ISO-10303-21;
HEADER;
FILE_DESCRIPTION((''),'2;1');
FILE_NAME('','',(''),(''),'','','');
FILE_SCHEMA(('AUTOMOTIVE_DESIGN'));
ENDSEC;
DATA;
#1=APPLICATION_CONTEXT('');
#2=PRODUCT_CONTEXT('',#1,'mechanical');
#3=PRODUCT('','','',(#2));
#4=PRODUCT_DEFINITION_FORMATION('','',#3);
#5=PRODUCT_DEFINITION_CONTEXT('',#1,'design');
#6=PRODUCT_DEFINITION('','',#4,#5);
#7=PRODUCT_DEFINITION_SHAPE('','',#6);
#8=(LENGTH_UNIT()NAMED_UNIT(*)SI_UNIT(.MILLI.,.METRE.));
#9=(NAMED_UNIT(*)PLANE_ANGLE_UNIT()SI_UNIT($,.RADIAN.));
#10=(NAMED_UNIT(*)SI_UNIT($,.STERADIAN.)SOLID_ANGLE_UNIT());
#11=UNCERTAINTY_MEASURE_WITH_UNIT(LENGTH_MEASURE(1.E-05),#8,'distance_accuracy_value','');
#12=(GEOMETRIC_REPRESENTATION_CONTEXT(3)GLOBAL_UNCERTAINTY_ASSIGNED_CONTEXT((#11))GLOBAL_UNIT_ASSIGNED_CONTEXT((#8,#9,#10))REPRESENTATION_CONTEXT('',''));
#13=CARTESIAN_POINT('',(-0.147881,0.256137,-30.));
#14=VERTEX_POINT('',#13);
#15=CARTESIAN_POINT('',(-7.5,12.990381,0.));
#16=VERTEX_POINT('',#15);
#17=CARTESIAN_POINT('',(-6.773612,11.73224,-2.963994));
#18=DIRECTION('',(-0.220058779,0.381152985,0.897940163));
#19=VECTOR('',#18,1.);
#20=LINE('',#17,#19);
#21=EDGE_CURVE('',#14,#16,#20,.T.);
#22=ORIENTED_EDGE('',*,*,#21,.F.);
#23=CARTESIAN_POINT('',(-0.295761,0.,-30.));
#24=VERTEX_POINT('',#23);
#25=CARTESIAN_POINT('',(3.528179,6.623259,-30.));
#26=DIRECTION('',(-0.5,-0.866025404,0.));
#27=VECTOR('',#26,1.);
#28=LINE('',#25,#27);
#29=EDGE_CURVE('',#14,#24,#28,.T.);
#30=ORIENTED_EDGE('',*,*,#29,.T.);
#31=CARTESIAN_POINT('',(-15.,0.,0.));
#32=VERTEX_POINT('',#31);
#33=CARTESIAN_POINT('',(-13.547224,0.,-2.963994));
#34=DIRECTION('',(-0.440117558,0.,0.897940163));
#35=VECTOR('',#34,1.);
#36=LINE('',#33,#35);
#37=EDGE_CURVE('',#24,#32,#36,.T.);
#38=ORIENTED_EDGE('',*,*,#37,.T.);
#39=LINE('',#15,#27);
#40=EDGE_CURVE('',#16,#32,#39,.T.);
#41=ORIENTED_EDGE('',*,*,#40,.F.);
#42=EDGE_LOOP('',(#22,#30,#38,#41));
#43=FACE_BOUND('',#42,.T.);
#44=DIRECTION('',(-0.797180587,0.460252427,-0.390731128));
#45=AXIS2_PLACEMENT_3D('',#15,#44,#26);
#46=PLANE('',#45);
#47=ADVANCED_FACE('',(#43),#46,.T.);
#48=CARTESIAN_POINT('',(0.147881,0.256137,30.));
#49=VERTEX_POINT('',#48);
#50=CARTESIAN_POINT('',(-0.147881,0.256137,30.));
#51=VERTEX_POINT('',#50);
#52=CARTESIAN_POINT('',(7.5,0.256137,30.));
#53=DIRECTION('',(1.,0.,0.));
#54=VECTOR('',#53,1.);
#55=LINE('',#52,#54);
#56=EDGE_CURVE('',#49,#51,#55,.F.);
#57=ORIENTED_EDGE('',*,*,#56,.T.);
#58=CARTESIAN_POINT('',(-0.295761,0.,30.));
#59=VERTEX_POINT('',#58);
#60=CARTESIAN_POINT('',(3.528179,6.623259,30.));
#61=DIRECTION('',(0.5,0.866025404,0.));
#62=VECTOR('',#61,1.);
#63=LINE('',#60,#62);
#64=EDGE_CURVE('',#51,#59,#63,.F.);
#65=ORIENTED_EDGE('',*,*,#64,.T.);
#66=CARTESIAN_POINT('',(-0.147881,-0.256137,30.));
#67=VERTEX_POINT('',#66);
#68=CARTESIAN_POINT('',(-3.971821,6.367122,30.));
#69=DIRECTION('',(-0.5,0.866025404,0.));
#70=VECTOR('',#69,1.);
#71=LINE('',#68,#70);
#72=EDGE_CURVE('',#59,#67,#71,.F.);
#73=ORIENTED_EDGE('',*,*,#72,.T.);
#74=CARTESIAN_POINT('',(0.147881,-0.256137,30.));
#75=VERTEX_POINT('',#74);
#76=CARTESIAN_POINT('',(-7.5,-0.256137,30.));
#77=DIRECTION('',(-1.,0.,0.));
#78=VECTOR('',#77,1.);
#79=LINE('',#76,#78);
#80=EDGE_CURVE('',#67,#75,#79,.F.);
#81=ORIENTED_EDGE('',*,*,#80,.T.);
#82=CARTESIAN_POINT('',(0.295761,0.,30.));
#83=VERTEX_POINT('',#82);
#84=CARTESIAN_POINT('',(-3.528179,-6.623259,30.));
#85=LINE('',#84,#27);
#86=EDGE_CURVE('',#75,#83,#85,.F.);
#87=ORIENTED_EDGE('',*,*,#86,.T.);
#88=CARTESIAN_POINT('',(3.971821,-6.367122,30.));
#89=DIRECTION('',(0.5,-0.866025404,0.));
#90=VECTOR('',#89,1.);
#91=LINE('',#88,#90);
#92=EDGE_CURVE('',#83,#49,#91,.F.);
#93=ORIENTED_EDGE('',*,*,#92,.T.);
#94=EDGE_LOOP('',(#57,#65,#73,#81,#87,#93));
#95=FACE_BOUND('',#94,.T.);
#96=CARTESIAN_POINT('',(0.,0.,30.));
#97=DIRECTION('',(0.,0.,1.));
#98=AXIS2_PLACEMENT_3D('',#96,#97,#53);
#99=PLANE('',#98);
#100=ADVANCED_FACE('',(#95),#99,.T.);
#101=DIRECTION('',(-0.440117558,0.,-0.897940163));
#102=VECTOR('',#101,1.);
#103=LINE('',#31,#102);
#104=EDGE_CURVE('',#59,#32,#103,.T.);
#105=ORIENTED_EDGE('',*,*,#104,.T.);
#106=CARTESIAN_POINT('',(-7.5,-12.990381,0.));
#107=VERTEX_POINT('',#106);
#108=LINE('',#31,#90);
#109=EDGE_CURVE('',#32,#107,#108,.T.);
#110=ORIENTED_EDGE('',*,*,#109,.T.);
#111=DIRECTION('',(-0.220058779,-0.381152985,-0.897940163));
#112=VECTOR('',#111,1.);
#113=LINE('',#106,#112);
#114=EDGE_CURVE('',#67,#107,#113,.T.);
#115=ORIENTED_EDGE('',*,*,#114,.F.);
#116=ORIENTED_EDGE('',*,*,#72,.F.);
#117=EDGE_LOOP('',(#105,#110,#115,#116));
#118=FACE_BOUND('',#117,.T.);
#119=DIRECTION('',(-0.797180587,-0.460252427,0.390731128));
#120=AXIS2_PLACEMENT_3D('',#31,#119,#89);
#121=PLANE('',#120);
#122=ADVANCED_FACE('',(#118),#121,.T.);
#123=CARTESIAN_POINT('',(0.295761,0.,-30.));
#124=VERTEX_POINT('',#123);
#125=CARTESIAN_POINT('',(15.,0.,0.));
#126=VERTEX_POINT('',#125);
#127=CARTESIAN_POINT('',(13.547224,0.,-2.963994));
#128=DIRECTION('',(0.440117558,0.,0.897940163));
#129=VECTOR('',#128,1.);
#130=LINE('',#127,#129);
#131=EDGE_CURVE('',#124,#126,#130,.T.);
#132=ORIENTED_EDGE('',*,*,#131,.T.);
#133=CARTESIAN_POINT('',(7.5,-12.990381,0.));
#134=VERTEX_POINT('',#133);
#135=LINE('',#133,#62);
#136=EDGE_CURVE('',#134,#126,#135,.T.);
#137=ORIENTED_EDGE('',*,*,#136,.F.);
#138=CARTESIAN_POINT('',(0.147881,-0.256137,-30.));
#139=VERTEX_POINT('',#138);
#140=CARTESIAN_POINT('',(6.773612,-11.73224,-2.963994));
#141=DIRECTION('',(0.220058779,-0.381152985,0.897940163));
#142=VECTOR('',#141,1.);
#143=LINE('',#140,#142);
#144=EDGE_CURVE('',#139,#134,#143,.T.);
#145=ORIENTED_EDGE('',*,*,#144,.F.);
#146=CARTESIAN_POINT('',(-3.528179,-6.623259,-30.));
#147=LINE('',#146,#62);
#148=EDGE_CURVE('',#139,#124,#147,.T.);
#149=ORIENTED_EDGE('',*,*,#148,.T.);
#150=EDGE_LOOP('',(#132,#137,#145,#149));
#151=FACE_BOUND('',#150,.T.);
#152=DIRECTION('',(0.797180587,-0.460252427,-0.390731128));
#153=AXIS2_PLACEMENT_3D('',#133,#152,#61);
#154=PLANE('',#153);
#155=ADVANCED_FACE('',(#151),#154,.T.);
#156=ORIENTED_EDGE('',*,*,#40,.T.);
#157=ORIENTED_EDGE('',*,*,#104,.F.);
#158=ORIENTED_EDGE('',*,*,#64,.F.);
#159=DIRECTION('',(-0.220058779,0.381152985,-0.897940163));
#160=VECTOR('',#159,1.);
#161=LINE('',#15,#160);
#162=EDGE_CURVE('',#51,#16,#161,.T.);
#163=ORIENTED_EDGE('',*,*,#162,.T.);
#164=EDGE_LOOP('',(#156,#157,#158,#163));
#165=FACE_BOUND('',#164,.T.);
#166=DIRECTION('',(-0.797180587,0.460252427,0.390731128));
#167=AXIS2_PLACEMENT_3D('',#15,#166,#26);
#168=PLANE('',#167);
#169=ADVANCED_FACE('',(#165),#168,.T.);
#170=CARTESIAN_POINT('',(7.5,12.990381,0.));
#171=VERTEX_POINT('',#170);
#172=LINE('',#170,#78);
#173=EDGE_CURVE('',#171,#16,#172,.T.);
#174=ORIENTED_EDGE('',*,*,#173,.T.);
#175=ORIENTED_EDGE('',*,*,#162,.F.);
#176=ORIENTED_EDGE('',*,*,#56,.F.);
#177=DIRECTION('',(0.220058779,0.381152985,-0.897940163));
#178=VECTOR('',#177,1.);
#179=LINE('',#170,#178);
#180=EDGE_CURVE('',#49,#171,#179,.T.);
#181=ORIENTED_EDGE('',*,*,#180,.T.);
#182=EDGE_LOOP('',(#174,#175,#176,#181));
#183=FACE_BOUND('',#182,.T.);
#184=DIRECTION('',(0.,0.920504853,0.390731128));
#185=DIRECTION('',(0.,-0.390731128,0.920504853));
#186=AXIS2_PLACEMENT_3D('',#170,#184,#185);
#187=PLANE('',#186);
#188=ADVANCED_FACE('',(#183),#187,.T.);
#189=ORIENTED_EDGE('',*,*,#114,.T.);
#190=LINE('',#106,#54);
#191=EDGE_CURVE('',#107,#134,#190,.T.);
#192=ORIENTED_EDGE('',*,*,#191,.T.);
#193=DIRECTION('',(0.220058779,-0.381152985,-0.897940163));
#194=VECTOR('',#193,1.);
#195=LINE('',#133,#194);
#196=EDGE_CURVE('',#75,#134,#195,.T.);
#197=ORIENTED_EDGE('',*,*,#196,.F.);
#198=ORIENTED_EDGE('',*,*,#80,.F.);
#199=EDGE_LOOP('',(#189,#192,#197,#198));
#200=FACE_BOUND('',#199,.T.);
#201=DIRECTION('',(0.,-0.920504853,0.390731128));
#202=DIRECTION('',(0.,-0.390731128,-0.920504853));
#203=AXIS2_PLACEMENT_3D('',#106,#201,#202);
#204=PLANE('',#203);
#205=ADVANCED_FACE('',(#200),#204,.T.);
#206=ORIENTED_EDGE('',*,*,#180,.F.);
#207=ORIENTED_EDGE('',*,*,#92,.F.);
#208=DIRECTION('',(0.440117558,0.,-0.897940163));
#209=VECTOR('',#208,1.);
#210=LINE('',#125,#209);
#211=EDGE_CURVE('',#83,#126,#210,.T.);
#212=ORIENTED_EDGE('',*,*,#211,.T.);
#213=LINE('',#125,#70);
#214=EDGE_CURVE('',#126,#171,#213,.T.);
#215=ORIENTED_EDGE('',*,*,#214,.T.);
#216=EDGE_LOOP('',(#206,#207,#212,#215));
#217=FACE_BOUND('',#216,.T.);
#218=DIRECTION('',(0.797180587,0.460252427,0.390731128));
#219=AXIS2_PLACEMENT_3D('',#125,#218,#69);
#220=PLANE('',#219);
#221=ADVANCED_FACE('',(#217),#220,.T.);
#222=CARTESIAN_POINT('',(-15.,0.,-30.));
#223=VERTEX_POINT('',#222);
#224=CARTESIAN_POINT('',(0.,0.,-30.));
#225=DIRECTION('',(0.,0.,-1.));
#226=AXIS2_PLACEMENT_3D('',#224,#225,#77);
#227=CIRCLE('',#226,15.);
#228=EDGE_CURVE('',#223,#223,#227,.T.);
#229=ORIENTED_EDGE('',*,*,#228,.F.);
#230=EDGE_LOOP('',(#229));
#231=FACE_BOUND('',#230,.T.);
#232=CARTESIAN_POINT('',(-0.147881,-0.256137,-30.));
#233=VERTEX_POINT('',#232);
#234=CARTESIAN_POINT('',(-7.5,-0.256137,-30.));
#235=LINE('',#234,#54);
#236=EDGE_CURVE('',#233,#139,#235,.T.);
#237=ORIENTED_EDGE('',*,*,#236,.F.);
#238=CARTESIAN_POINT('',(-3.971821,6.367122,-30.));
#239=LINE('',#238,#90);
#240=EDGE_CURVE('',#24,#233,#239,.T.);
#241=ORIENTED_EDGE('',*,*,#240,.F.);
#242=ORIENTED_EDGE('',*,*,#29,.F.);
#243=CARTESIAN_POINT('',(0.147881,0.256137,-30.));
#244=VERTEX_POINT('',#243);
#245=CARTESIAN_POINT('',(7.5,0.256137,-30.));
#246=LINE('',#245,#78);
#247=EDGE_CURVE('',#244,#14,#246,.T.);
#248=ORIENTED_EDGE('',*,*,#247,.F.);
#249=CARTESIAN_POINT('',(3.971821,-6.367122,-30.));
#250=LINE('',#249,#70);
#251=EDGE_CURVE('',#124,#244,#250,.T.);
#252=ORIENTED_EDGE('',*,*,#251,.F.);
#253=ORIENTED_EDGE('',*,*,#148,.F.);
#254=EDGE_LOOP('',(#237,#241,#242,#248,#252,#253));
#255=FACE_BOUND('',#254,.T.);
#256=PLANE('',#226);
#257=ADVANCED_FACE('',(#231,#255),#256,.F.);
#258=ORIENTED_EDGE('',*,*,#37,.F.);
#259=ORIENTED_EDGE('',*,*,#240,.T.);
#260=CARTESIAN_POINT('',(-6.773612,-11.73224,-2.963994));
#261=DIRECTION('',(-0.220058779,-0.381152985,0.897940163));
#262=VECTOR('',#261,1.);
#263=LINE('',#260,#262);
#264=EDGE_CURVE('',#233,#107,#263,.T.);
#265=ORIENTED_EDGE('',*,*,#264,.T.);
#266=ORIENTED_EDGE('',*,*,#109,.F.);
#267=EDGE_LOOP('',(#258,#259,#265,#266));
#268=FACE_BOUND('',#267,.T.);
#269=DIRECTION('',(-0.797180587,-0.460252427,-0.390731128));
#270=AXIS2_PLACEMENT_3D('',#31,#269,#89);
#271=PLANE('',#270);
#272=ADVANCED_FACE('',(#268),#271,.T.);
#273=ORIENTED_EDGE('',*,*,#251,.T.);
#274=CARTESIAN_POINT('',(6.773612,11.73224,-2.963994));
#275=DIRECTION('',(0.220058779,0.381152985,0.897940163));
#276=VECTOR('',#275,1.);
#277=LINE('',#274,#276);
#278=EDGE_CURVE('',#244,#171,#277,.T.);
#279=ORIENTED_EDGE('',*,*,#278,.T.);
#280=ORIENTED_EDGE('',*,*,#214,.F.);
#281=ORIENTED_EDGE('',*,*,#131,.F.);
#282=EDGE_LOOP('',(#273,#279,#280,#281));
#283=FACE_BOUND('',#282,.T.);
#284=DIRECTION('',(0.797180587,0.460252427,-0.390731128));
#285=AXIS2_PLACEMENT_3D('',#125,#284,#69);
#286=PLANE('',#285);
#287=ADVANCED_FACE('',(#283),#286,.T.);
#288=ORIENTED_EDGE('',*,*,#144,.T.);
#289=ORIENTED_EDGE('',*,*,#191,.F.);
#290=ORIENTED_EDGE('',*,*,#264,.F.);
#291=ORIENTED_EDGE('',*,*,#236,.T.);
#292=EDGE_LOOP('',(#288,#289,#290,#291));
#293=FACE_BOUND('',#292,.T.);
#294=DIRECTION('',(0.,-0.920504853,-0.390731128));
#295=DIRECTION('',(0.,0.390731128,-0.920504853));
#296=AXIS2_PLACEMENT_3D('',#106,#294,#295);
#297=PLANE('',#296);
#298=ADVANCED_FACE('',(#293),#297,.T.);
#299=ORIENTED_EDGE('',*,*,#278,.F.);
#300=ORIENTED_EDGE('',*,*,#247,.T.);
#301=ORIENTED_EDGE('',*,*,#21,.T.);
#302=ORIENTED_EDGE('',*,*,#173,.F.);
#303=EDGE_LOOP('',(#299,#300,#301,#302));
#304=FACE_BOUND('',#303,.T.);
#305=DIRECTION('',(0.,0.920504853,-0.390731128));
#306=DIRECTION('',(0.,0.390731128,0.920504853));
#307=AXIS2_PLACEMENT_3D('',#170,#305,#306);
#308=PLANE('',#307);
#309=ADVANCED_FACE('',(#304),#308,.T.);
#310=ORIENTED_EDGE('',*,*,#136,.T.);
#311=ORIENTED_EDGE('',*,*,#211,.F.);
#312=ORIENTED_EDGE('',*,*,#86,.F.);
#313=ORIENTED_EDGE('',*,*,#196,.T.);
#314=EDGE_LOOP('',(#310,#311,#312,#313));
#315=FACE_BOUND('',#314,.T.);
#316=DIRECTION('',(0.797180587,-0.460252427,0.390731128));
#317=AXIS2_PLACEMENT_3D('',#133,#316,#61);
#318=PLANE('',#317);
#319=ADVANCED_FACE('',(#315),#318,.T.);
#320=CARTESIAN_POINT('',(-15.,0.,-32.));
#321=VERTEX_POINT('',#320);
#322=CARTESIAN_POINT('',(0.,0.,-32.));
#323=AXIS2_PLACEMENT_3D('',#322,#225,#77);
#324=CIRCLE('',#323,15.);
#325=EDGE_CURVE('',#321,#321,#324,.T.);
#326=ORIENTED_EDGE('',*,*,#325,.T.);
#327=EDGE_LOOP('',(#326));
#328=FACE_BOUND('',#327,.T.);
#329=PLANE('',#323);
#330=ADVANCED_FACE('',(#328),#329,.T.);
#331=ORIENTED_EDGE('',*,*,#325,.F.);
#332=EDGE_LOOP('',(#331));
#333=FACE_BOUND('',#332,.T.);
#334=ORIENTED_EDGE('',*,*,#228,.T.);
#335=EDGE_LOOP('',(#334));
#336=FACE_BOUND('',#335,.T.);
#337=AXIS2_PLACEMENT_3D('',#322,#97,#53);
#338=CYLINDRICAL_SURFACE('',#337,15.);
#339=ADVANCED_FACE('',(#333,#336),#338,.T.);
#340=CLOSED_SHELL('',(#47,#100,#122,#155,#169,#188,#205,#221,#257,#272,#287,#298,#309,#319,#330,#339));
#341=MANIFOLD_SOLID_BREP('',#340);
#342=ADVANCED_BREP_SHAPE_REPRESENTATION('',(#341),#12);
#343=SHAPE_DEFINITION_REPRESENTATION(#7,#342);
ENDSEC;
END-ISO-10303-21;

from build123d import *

# Parameters (mm, degrees)
BOSS_EXTRU_1_DEPTH = 30
BOSS_EXTRU_1_TAPER = 23
ESQUISSE2_R        = 15
BOSS_EXTRU_2_DEPTH = 2


with BuildPart() as part:
    # Esquisse1 → Boss.-Extru.1 (new body)
    with BuildSketch(Plane.XY):
        Polygon((15, 0), (7.5, 12.990381057), (-7.5, 12.990381057), (-15, 0), (-7.5, -12.990381057), (7.5, -12.990381057), align=None)
    boss_extru_1 = extrude(amount=BOSS_EXTRU_1_DEPTH, taper=BOSS_EXTRU_1_TAPER)

    # Symétrie1: Boss.-Extru.1 across plane
    add(boss_extru_1.mirror(Plane.XY))

    # Esquisse2 → Boss.-Extru.2 (add)
    with BuildSketch(Plane(origin=(0, 0, -30), x_dir=(-1, 0, 0), z_dir=(0, 0, -1))):
        Circle(ESQUISSE2_R)
    extrude(amount=BOSS_EXTRU_2_DEPTH)


solid = part.part
